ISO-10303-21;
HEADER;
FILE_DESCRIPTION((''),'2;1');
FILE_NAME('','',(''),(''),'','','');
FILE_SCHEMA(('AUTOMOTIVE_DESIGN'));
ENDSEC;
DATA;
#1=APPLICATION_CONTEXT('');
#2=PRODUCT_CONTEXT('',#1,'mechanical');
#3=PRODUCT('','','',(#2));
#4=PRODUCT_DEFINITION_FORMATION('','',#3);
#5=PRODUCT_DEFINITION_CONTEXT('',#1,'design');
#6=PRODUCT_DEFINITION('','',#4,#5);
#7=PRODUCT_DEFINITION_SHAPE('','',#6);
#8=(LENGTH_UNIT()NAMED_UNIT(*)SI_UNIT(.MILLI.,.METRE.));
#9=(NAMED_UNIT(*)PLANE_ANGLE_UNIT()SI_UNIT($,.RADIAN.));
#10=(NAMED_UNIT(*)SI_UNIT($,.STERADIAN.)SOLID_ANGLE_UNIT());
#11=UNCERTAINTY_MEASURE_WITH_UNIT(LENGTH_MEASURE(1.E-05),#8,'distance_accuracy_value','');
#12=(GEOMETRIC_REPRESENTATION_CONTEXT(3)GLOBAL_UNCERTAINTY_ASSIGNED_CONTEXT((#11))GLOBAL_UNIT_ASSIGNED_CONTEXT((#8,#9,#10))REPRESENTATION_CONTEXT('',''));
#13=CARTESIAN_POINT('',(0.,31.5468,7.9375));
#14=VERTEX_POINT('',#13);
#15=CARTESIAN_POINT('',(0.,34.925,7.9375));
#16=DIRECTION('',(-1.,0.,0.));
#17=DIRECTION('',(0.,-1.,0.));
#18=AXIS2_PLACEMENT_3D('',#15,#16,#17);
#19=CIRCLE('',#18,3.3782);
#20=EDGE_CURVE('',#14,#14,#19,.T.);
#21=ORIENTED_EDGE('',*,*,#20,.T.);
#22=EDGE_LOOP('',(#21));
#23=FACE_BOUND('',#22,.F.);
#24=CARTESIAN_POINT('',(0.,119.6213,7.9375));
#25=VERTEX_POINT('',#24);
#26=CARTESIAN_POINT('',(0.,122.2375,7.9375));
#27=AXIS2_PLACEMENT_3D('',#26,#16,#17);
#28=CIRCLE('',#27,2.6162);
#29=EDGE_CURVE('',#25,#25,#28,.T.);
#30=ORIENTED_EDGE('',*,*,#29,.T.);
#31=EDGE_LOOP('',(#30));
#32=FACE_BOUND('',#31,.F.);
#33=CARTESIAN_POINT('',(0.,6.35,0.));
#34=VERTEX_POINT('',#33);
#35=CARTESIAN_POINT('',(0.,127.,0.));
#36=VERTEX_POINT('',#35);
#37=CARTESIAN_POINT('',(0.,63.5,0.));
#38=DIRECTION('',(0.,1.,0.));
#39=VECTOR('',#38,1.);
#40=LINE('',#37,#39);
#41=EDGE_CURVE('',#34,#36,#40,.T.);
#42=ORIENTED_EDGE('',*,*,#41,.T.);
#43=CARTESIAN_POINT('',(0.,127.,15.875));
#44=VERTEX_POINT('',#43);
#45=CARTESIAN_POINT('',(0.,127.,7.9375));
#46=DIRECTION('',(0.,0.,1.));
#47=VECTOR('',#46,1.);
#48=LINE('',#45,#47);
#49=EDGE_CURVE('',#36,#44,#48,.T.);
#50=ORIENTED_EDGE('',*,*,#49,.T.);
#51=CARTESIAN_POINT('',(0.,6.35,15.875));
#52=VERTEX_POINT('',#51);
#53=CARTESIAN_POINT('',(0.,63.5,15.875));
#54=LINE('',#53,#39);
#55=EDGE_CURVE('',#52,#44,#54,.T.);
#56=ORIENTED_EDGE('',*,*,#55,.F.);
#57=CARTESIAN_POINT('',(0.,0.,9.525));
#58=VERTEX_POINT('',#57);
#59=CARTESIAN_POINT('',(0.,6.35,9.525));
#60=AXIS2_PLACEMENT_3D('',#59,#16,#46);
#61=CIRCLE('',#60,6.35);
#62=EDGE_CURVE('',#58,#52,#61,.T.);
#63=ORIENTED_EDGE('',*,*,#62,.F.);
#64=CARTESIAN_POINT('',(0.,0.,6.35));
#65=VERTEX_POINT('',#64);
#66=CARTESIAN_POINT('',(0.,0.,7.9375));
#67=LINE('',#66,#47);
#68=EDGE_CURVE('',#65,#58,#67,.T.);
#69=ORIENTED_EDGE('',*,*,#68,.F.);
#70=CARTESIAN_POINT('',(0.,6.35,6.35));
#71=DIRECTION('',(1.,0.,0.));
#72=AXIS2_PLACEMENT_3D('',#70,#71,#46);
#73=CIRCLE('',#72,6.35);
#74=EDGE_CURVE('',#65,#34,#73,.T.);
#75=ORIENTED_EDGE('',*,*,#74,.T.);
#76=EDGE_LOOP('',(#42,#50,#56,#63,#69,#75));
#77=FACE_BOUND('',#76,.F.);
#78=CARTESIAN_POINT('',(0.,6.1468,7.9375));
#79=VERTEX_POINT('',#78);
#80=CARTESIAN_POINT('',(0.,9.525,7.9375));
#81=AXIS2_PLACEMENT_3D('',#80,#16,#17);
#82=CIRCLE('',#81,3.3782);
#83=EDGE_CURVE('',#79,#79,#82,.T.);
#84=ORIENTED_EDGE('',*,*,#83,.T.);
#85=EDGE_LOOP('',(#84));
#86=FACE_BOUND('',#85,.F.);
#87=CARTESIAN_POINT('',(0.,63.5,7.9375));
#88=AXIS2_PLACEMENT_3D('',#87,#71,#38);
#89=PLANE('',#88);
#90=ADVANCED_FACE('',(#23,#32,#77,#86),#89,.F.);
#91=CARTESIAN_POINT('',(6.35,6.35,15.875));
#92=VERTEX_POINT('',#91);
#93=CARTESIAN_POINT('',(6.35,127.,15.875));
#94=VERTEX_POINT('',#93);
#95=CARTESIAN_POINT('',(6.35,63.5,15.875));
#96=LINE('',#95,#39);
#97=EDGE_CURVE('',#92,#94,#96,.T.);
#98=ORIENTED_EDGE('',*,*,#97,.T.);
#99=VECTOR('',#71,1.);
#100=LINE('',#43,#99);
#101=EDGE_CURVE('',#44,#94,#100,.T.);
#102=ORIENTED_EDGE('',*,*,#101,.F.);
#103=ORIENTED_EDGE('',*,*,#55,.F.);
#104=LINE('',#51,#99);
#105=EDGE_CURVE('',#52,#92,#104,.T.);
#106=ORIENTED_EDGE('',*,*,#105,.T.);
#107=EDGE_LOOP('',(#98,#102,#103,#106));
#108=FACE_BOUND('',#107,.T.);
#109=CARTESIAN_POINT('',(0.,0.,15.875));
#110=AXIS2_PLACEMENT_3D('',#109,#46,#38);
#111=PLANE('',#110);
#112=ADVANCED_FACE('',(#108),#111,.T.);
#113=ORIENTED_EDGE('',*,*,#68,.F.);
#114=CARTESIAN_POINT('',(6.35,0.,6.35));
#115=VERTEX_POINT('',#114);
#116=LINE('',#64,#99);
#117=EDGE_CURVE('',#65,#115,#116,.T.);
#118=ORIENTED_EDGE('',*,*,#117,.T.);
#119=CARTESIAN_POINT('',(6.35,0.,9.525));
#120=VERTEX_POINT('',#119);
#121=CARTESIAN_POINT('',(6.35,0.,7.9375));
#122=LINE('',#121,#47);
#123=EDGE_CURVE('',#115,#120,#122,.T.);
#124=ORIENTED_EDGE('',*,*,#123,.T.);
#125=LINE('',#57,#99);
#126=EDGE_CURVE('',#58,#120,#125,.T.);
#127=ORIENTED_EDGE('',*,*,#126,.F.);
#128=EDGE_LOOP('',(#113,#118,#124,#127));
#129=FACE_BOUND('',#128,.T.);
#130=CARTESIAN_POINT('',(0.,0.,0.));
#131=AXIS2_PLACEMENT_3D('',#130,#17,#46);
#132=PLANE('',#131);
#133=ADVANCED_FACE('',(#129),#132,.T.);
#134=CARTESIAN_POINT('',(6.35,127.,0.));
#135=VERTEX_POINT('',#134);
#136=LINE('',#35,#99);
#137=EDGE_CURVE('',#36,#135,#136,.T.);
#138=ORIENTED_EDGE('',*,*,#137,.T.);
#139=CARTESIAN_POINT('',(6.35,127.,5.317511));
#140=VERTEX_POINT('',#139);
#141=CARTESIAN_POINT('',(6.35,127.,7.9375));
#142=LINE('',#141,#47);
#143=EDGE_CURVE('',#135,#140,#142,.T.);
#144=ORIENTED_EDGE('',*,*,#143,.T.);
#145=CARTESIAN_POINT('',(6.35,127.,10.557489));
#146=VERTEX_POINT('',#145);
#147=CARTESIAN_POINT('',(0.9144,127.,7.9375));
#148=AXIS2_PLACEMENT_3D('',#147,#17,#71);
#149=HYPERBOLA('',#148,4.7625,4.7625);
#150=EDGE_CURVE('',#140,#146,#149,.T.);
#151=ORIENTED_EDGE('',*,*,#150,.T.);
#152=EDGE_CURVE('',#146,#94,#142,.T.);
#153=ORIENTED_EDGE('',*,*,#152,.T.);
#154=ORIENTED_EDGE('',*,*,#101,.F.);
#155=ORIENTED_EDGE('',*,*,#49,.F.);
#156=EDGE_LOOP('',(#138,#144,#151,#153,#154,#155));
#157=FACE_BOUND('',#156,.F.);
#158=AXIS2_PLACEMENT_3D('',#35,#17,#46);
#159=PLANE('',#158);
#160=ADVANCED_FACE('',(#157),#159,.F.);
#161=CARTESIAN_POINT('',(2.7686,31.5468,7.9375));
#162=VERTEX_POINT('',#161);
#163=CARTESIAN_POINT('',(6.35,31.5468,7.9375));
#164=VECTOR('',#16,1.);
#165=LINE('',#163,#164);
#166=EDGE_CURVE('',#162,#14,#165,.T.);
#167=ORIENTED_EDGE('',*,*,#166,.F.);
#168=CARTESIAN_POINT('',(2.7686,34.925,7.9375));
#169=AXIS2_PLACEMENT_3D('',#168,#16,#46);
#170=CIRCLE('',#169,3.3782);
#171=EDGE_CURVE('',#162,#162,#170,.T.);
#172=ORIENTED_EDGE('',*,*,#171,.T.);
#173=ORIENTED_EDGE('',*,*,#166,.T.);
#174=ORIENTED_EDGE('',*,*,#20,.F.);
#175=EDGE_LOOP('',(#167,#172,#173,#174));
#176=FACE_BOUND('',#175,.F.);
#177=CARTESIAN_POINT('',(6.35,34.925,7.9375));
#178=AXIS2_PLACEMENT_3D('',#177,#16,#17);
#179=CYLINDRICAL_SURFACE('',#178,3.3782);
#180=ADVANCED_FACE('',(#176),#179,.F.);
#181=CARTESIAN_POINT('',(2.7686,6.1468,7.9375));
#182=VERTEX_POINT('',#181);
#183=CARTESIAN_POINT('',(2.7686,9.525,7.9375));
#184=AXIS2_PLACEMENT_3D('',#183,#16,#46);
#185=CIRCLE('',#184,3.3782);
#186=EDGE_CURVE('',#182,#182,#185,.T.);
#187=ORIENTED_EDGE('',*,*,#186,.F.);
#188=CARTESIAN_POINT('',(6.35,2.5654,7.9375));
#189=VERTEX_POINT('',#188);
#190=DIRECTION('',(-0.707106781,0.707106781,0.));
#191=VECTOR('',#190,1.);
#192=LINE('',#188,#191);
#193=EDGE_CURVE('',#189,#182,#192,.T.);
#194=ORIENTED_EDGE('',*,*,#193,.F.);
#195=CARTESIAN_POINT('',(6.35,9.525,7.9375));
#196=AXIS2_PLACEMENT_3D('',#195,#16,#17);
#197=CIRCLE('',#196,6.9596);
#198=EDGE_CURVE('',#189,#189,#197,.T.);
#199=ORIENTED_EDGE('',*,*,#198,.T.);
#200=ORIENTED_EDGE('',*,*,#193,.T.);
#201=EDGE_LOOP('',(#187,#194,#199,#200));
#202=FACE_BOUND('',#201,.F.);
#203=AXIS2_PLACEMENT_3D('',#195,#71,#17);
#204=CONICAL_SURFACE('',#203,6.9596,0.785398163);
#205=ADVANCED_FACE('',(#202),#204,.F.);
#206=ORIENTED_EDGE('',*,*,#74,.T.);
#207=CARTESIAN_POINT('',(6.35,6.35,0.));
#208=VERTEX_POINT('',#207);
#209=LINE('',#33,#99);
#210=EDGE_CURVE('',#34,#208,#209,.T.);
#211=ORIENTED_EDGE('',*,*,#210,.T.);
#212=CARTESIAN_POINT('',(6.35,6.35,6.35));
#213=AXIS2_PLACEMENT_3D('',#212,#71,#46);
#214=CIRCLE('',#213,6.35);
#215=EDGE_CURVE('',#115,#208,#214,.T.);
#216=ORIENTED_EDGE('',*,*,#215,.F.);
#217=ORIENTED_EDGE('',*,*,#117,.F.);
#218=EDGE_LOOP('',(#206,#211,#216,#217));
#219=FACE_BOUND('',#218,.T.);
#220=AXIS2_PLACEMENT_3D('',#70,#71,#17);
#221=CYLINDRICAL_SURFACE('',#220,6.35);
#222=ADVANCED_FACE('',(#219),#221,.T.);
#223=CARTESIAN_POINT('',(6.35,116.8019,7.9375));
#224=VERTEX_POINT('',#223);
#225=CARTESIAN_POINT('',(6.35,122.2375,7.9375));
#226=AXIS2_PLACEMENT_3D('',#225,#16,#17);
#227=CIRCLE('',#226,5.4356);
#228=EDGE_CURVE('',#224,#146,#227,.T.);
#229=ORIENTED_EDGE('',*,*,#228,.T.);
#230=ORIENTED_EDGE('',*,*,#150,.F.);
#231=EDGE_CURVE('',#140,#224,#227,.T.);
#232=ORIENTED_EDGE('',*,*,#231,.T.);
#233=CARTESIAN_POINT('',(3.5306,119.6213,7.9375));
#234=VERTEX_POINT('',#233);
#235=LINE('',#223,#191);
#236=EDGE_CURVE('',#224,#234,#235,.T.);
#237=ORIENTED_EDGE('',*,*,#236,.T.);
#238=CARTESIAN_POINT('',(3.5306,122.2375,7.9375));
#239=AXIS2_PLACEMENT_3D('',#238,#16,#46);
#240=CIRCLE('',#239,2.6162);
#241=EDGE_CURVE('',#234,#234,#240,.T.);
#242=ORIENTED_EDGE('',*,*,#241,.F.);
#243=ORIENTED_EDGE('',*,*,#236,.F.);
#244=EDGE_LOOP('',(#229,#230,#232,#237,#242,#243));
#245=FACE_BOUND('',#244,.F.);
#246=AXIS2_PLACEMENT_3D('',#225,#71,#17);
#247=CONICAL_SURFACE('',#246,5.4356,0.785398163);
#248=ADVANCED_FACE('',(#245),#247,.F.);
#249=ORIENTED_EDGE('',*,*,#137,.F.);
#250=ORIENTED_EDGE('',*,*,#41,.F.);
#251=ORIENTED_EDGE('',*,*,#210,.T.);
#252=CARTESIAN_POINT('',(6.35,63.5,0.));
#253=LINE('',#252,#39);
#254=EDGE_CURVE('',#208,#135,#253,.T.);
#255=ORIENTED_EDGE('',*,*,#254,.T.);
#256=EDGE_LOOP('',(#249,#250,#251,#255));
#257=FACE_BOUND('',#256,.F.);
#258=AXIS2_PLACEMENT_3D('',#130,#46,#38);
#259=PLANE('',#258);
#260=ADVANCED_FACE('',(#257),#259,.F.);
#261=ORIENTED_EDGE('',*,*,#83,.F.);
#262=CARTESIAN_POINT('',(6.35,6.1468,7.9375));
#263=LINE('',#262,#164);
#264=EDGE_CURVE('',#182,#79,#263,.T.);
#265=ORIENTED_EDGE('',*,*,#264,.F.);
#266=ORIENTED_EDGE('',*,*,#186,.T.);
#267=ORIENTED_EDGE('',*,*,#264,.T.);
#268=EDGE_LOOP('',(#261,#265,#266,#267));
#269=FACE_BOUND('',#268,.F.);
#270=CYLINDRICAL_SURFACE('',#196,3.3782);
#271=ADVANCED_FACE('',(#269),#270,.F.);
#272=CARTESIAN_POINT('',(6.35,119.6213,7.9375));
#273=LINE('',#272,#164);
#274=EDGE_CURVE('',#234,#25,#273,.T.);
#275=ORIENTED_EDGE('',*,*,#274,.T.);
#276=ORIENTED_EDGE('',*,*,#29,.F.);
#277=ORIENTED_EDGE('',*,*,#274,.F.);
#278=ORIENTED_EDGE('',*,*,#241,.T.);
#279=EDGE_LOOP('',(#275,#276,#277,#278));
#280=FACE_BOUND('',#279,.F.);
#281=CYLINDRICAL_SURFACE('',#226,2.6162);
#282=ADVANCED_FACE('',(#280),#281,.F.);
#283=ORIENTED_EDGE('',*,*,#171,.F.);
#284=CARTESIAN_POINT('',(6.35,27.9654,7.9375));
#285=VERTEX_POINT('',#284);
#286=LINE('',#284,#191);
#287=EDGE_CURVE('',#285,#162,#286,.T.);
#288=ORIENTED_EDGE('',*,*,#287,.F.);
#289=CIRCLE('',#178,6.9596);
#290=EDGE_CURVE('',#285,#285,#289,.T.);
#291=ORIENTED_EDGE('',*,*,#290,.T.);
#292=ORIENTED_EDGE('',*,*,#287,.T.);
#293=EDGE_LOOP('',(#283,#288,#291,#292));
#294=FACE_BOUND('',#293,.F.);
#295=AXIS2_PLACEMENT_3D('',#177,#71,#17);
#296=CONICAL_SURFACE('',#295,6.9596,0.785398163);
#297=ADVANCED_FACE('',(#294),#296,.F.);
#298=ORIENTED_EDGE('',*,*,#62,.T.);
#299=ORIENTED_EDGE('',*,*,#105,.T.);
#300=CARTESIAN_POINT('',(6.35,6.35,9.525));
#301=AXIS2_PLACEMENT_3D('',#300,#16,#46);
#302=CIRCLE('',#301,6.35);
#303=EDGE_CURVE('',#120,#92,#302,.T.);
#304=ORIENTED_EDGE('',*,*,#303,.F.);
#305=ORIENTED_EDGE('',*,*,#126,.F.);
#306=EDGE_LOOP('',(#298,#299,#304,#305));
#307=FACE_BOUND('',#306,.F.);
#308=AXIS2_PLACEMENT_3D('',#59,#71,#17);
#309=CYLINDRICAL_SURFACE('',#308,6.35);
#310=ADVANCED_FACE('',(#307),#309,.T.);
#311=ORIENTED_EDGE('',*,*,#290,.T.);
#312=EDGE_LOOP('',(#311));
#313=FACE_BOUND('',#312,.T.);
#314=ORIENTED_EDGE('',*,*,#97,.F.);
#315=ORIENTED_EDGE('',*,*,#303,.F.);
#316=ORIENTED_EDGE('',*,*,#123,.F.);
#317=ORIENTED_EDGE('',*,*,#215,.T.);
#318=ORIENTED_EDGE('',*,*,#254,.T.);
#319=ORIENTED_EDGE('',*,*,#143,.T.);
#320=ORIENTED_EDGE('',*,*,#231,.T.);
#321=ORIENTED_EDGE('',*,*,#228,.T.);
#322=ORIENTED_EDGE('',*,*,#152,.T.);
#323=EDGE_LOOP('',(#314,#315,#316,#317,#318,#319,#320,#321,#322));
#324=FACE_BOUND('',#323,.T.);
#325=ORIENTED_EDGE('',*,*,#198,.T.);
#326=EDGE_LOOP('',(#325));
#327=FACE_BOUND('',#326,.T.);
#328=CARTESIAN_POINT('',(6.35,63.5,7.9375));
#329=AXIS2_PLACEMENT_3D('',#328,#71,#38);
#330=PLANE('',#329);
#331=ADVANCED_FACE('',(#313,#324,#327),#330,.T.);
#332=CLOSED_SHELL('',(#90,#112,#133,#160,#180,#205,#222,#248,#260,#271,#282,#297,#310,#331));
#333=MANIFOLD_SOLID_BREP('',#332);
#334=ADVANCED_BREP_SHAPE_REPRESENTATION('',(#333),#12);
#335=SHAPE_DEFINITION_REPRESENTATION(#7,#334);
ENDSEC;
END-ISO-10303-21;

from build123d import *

# Parameters (mm, degrees)
F0_W           = 127
F0_H           = 15.875
F1_DEPTH       = 6.35
F3_D           = 6.7564
F3_CSINK_D     = 13.9192
F3_CSINK_ANGLE = 90
F4_D           = 5.2324
F4_CSINK_D     = 10.8712
F4_CSINK_ANGLE = 90
F5_R           = 6.35


with BuildPart() as f1:
    # F0 (on Right) → F1 (new body)
    with BuildSketch(Plane.YZ):
        with Locations((63.5, 7.9375)):
            Rectangle(F0_W, F0_H)
    extrude(amount=F1_DEPTH)

    # F3 (through all)
    with Locations(Plane.YZ.offset(6.35)):
        with Locations((9.525, 7.9375), (34.925, 7.9375)):
            CounterSinkHole(F3_D / 2, F3_CSINK_D / 2, counter_sink_angle=F3_CSINK_ANGLE)

    # F4 (through all)
    with Locations(Plane.YZ.offset(6.35)):
        with Locations((122.2375, 7.9375)):
            CounterSinkHole(F4_D / 2, F4_CSINK_D / 2, counter_sink_angle=F4_CSINK_ANGLE)

    # F5
    f5_edges = [f1.edges().sort_by_distance(p)[0] for p in [
        (3.175, 0, 15.875),
        (3.175, 0, 0),
    ]]
    fillet(f5_edges, radius=F5_R)


solid = f1.part
